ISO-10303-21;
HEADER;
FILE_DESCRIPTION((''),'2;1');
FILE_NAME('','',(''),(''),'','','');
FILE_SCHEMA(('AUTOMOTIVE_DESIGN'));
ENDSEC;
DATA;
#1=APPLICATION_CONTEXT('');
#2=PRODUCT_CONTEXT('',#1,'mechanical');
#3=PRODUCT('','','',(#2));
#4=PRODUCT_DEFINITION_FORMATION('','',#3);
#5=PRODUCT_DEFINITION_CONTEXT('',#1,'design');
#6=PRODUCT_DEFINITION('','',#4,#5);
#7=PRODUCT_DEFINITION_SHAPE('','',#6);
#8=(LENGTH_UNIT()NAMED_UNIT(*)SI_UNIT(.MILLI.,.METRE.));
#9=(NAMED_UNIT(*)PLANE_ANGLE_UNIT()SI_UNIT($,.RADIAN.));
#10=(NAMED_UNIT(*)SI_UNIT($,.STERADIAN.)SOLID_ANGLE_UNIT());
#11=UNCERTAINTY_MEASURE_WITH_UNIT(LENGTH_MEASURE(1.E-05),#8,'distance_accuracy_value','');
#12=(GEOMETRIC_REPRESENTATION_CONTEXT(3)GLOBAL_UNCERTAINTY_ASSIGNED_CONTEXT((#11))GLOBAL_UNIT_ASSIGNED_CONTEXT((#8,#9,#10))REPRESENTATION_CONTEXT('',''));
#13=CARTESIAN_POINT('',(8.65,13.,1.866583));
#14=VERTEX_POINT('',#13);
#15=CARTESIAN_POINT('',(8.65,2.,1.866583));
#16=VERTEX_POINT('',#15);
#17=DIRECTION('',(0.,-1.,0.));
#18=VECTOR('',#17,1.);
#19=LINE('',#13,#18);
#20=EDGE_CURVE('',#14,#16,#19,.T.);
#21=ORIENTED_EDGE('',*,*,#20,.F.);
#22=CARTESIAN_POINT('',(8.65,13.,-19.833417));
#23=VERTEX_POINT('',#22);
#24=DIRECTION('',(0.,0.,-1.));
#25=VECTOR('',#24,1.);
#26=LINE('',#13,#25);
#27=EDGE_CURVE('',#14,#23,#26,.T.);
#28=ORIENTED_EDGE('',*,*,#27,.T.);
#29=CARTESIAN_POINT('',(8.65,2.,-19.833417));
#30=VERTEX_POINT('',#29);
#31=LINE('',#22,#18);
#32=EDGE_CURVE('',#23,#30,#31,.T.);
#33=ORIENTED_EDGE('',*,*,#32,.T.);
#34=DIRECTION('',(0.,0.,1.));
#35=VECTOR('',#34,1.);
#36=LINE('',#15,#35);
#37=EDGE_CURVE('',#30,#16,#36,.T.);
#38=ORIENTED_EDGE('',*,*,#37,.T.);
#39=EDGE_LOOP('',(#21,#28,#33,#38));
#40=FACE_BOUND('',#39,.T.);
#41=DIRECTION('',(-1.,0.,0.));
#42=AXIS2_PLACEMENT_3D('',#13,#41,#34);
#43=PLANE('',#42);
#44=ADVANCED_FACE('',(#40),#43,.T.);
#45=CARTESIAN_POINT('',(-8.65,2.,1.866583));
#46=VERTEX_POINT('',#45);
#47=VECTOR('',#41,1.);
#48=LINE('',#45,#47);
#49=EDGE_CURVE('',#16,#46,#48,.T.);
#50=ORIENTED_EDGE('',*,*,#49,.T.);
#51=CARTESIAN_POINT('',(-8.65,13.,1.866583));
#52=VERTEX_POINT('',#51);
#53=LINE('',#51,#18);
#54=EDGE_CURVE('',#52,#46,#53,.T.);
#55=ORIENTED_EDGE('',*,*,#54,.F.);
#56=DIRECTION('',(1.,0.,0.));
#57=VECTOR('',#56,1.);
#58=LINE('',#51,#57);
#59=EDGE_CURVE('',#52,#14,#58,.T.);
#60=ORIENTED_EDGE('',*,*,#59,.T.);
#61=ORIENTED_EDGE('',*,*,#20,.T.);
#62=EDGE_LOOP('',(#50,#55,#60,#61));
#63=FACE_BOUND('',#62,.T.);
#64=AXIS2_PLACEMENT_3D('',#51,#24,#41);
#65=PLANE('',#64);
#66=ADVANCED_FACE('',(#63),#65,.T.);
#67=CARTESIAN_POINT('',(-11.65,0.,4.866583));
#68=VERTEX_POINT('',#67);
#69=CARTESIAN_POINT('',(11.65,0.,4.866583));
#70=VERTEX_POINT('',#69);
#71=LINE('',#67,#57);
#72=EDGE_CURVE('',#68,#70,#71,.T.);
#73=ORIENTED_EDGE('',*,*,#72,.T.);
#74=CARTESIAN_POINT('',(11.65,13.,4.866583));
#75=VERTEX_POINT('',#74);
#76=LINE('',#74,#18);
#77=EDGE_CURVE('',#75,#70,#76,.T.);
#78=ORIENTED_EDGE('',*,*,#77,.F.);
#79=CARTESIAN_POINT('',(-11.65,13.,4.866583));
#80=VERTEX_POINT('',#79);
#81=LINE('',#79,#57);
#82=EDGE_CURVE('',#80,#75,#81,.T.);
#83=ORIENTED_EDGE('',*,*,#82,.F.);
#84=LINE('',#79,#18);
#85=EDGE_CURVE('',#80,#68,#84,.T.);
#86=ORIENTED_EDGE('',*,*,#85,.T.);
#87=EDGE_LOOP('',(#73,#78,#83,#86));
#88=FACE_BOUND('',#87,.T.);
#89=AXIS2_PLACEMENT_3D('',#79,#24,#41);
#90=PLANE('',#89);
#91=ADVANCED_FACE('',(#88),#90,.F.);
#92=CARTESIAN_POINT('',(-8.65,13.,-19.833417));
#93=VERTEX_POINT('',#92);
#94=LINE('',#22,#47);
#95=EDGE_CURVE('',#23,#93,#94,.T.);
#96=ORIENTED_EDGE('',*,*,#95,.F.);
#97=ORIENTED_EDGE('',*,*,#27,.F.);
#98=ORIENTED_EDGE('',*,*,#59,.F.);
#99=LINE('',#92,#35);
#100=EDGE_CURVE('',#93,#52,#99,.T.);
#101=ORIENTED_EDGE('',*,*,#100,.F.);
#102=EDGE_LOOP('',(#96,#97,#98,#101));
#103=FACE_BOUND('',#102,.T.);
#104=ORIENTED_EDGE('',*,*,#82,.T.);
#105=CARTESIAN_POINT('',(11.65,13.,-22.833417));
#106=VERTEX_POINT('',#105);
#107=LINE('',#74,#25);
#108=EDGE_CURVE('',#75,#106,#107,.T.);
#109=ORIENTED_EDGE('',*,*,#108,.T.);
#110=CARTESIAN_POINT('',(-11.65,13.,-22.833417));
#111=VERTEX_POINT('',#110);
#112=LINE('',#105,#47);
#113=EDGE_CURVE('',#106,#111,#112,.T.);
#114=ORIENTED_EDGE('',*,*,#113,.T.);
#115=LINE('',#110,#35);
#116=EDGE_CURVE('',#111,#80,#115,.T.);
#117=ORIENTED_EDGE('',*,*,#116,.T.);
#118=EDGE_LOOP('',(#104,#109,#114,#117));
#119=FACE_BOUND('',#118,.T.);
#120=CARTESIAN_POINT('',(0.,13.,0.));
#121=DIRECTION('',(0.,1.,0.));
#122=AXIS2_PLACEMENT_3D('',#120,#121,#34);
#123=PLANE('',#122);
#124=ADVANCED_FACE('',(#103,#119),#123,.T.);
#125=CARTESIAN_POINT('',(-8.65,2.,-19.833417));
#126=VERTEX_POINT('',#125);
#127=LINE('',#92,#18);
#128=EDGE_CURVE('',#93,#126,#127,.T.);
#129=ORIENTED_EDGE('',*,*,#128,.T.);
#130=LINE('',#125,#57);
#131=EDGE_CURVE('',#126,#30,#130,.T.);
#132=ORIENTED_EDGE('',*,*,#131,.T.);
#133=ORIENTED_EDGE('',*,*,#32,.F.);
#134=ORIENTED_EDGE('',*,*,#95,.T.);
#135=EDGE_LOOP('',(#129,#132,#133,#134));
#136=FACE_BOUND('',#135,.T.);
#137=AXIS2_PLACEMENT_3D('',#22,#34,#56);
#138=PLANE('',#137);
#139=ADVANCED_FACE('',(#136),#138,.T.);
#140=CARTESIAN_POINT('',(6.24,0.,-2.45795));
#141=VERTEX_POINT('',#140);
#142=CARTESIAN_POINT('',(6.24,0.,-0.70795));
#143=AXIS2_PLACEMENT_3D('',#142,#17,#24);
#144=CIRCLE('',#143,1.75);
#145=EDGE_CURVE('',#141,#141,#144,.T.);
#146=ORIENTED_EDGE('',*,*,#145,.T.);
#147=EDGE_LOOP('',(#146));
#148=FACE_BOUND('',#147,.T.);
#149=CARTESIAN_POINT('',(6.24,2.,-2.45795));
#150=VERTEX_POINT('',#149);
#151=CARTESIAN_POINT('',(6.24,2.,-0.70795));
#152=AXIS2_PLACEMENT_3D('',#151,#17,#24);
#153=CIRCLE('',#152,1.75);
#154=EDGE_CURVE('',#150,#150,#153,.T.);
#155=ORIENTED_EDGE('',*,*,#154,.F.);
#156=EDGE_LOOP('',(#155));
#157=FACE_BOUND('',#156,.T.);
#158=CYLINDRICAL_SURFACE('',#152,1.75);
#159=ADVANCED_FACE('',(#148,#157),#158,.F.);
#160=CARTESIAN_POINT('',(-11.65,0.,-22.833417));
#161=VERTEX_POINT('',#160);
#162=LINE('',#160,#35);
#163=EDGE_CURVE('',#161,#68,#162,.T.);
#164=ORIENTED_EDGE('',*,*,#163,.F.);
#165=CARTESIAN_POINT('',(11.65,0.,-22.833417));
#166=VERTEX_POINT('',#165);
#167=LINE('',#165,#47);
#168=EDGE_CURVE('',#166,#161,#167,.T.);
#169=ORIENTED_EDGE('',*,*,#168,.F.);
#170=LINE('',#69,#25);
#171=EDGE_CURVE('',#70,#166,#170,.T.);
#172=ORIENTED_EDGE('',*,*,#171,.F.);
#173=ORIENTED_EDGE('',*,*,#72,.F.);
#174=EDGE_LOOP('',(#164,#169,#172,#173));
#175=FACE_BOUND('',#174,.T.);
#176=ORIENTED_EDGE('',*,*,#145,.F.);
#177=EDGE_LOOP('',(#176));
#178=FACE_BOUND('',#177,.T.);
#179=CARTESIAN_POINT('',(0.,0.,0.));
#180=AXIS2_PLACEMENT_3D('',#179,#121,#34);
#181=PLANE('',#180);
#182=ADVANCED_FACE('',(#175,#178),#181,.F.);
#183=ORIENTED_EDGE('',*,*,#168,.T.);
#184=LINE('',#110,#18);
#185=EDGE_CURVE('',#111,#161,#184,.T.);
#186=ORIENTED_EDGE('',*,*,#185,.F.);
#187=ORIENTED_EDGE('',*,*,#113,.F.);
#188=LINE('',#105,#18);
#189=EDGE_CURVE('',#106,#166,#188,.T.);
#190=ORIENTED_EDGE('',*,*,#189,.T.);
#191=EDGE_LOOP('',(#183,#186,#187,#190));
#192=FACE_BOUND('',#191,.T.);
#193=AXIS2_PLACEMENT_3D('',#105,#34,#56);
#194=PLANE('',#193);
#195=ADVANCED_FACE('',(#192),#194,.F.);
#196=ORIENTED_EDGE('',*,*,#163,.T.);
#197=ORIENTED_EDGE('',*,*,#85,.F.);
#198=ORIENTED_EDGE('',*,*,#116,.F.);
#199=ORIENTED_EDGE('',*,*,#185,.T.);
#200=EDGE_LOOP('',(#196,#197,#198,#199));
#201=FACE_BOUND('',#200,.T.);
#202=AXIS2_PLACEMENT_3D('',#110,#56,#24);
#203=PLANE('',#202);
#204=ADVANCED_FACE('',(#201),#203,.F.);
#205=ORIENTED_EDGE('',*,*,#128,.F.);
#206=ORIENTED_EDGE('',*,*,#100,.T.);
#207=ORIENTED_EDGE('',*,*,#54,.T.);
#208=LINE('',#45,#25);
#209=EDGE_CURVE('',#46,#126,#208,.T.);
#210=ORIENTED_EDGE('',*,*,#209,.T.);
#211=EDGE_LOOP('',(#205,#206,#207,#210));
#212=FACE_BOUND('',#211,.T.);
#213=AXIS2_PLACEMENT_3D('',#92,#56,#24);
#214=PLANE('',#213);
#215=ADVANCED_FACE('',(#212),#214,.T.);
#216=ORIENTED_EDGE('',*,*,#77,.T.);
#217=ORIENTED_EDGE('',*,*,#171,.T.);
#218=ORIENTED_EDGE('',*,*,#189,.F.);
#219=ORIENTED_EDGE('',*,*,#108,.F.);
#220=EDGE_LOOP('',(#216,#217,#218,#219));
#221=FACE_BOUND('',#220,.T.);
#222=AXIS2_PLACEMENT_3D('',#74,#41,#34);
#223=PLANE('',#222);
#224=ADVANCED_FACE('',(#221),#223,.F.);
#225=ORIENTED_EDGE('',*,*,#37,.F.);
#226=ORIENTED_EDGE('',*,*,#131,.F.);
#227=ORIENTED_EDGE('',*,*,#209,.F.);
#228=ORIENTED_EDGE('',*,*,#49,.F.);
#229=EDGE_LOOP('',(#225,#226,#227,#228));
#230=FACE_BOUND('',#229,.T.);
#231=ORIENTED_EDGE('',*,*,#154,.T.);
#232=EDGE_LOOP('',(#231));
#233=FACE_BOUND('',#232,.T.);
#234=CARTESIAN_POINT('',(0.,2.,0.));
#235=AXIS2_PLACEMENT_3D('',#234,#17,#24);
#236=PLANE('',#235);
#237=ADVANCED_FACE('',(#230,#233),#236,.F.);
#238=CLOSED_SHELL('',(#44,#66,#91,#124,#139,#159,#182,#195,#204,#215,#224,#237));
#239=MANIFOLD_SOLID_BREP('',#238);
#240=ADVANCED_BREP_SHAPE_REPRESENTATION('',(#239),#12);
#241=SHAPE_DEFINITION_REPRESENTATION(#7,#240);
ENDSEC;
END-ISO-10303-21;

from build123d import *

# Parameters (mm, degrees)
SKETCH1_W           = 23.3
SKETCH1_H           = 27.7
SKETCH1_W_2         = 17.3
SKETCH1_H_2         = 21.7
BOSS_EXTRUDE1_DEPTH = 13
SKETCH2_W           = 17.3
SKETCH2_H           = 21.7
SKETCH2_R           = 1.75
BOSS_EXTRUDE2_DEPTH = 2


with BuildPart() as part:
    # Sketch1 → Boss-Extrude1 (new body)
    with BuildSketch(Plane(origin=(0, 0, 0), x_dir=(1, 0, 0), z_dir=(0, 1, 0))):
        with Locations((0, 8.983417287)):
            Rectangle(SKETCH1_W, SKETCH1_H)
        with Locations((0, 8.983417287)):
            Rectangle(SKETCH1_W_2, SKETCH1_H_2, mode=Mode.SUBTRACT)
    extrude(amount=BOSS_EXTRUDE1_DEPTH)

    # Sketch2 → Boss-Extrude2 (add)
    with BuildSketch(Plane.XZ):
        with Locations((0, -8.983417287)):
            Rectangle(SKETCH2_W, SKETCH2_H)
        with Locations((6.24, -0.707949912)):
            Circle(SKETCH2_R, mode=Mode.SUBTRACT)
    extrude(amount=-BOSS_EXTRUDE2_DEPTH)


solid = part.part
